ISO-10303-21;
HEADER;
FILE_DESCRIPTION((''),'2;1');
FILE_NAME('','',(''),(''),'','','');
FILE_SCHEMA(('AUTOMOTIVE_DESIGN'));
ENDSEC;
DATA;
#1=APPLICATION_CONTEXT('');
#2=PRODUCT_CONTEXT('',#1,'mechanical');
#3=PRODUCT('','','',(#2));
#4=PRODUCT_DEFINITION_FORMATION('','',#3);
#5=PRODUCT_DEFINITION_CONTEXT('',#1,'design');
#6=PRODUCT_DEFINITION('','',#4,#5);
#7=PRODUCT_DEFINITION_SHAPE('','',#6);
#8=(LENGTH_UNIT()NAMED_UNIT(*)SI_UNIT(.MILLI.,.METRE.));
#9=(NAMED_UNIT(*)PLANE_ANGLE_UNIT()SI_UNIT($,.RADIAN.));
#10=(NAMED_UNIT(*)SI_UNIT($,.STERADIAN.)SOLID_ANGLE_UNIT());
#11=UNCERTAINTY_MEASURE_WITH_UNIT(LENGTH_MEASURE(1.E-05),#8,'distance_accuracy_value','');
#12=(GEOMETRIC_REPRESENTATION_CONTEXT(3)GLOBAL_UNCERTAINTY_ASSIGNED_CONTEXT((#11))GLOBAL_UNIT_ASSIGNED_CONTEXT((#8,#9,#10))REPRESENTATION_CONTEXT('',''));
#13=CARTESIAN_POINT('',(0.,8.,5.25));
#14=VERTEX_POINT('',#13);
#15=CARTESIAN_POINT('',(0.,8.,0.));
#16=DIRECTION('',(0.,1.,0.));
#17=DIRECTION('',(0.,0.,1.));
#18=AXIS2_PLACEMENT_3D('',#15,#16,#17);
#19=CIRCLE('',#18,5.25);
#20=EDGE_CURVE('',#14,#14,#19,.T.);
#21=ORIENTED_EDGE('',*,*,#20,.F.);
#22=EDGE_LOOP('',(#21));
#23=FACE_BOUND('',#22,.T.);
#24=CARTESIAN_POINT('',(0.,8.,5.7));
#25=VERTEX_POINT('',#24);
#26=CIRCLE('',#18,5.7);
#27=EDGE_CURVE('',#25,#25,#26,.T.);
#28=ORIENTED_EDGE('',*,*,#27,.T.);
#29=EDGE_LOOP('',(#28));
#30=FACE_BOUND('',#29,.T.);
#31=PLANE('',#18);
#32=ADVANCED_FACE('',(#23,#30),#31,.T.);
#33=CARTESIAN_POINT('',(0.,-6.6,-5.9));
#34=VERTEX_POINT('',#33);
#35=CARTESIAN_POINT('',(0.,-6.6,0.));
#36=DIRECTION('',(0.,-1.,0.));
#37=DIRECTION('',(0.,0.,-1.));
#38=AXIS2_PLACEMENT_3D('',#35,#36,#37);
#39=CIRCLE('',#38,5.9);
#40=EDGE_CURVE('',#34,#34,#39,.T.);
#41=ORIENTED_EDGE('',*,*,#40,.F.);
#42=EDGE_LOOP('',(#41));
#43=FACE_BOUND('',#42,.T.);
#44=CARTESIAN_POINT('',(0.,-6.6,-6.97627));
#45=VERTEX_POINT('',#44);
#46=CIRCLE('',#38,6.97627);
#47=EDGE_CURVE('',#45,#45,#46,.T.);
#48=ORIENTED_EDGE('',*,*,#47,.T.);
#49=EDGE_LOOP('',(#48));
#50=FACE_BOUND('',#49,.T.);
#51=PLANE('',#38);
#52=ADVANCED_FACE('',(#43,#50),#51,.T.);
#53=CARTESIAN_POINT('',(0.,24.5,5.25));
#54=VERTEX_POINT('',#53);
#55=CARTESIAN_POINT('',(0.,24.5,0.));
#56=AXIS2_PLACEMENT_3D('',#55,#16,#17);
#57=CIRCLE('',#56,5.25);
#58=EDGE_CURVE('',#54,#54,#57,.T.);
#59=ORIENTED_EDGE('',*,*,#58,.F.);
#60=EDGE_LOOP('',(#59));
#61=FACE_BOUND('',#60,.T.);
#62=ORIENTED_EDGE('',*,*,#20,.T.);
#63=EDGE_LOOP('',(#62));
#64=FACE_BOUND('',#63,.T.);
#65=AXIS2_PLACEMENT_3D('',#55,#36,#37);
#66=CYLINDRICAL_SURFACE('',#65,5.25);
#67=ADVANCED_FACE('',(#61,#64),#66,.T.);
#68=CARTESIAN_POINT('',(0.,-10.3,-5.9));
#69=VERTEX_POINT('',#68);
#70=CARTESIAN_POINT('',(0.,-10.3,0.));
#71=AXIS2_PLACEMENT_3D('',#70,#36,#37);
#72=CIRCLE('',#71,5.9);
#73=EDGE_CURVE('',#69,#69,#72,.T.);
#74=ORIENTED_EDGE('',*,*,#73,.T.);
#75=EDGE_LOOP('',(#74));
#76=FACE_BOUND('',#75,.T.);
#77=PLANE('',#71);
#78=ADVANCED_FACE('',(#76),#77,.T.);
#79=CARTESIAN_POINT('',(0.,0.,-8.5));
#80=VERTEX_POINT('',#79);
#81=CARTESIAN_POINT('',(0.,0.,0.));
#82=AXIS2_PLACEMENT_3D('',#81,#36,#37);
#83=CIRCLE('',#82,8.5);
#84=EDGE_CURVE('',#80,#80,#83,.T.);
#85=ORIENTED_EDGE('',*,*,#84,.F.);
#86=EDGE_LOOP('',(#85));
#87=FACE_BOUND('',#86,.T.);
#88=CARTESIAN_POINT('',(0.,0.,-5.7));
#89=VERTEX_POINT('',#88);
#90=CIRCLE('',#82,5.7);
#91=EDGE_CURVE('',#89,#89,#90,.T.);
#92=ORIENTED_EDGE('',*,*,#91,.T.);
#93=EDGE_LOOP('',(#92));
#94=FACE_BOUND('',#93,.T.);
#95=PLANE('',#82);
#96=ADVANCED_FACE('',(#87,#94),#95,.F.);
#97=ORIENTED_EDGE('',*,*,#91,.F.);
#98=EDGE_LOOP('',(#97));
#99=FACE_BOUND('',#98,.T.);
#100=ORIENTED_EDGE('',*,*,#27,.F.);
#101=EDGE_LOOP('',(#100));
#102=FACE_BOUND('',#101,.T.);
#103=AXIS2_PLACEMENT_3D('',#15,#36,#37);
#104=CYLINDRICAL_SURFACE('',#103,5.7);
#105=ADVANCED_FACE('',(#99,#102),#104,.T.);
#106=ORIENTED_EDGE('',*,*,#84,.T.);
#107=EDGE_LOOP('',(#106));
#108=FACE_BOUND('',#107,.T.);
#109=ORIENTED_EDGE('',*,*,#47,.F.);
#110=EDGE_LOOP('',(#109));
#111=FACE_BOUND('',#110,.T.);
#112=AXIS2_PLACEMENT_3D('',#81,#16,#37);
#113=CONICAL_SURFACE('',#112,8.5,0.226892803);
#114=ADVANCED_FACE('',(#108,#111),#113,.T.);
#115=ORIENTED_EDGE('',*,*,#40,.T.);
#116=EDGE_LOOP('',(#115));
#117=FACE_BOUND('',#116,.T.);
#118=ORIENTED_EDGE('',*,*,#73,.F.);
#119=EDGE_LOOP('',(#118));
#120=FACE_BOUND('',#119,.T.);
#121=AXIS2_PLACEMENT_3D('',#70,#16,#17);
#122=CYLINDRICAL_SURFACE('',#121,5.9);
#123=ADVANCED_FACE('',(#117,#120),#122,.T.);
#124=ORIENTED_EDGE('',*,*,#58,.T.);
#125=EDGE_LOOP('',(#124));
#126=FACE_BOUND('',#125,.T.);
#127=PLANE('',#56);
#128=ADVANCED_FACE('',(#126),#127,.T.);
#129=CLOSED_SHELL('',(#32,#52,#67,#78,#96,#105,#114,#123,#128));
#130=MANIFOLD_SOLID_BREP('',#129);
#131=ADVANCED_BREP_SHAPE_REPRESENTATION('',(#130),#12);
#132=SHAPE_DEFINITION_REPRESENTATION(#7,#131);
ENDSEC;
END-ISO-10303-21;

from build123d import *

# Parameters (mm, degrees)
SKETCH1_R           = 5.7
BOSS_EXTRUDE1_DEPTH = 8
SKETCH2_R           = 5.25
BOSS_EXTRUDE2_DEPTH = 16.5
SKETCH3_R           = 8.5
BOSS_EXTRUDE3_DEPTH = 6.6
BOSS_EXTRUDE3_TAPER = 13
SKETCH4_R           = 5.9
BOSS_EXTRUDE4_DEPTH = 3.7


with BuildPart() as part:
    # Sketch1 → Boss-Extrude1 (new body)
    with BuildSketch(Plane(origin=(0, 0, 0), x_dir=(1, 0, 0), z_dir=(0, 1, 0))):
        with Locations(Location((0, 0, 0), (0, 0, 270))):  # turned: the seam where the file's is
            Circle(SKETCH1_R)
    extrude(amount=BOSS_EXTRUDE1_DEPTH)

    # Sketch2 → Boss-Extrude2 (add)
    with BuildSketch(Plane(origin=(0, 8, 0), x_dir=(1, 0, 0), z_dir=(0, 1, 0))):
        with Locations(Location((0, 0, 0), (0, 0, 270))):  # turned: the seam where the file's is
            Circle(SKETCH2_R)
    extrude(amount=BOSS_EXTRUDE2_DEPTH)

    # Sketch3 → Boss-Extrude3 (add)
    with BuildSketch(Plane.XZ):
        Circle(SKETCH3_R)
    extrude(amount=BOSS_EXTRUDE3_DEPTH, taper=BOSS_EXTRUDE3_TAPER)

    # Sketch4 → Boss-Extrude4 (add)
    with BuildSketch(Plane.XZ.offset(6.6)):
        with Locations(Location((0, 0, 0), (0, 0, 270))):  # turned: the seam where the file's is
            Circle(SKETCH4_R)
    extrude(amount=BOSS_EXTRUDE4_DEPTH)


solid = part.part
